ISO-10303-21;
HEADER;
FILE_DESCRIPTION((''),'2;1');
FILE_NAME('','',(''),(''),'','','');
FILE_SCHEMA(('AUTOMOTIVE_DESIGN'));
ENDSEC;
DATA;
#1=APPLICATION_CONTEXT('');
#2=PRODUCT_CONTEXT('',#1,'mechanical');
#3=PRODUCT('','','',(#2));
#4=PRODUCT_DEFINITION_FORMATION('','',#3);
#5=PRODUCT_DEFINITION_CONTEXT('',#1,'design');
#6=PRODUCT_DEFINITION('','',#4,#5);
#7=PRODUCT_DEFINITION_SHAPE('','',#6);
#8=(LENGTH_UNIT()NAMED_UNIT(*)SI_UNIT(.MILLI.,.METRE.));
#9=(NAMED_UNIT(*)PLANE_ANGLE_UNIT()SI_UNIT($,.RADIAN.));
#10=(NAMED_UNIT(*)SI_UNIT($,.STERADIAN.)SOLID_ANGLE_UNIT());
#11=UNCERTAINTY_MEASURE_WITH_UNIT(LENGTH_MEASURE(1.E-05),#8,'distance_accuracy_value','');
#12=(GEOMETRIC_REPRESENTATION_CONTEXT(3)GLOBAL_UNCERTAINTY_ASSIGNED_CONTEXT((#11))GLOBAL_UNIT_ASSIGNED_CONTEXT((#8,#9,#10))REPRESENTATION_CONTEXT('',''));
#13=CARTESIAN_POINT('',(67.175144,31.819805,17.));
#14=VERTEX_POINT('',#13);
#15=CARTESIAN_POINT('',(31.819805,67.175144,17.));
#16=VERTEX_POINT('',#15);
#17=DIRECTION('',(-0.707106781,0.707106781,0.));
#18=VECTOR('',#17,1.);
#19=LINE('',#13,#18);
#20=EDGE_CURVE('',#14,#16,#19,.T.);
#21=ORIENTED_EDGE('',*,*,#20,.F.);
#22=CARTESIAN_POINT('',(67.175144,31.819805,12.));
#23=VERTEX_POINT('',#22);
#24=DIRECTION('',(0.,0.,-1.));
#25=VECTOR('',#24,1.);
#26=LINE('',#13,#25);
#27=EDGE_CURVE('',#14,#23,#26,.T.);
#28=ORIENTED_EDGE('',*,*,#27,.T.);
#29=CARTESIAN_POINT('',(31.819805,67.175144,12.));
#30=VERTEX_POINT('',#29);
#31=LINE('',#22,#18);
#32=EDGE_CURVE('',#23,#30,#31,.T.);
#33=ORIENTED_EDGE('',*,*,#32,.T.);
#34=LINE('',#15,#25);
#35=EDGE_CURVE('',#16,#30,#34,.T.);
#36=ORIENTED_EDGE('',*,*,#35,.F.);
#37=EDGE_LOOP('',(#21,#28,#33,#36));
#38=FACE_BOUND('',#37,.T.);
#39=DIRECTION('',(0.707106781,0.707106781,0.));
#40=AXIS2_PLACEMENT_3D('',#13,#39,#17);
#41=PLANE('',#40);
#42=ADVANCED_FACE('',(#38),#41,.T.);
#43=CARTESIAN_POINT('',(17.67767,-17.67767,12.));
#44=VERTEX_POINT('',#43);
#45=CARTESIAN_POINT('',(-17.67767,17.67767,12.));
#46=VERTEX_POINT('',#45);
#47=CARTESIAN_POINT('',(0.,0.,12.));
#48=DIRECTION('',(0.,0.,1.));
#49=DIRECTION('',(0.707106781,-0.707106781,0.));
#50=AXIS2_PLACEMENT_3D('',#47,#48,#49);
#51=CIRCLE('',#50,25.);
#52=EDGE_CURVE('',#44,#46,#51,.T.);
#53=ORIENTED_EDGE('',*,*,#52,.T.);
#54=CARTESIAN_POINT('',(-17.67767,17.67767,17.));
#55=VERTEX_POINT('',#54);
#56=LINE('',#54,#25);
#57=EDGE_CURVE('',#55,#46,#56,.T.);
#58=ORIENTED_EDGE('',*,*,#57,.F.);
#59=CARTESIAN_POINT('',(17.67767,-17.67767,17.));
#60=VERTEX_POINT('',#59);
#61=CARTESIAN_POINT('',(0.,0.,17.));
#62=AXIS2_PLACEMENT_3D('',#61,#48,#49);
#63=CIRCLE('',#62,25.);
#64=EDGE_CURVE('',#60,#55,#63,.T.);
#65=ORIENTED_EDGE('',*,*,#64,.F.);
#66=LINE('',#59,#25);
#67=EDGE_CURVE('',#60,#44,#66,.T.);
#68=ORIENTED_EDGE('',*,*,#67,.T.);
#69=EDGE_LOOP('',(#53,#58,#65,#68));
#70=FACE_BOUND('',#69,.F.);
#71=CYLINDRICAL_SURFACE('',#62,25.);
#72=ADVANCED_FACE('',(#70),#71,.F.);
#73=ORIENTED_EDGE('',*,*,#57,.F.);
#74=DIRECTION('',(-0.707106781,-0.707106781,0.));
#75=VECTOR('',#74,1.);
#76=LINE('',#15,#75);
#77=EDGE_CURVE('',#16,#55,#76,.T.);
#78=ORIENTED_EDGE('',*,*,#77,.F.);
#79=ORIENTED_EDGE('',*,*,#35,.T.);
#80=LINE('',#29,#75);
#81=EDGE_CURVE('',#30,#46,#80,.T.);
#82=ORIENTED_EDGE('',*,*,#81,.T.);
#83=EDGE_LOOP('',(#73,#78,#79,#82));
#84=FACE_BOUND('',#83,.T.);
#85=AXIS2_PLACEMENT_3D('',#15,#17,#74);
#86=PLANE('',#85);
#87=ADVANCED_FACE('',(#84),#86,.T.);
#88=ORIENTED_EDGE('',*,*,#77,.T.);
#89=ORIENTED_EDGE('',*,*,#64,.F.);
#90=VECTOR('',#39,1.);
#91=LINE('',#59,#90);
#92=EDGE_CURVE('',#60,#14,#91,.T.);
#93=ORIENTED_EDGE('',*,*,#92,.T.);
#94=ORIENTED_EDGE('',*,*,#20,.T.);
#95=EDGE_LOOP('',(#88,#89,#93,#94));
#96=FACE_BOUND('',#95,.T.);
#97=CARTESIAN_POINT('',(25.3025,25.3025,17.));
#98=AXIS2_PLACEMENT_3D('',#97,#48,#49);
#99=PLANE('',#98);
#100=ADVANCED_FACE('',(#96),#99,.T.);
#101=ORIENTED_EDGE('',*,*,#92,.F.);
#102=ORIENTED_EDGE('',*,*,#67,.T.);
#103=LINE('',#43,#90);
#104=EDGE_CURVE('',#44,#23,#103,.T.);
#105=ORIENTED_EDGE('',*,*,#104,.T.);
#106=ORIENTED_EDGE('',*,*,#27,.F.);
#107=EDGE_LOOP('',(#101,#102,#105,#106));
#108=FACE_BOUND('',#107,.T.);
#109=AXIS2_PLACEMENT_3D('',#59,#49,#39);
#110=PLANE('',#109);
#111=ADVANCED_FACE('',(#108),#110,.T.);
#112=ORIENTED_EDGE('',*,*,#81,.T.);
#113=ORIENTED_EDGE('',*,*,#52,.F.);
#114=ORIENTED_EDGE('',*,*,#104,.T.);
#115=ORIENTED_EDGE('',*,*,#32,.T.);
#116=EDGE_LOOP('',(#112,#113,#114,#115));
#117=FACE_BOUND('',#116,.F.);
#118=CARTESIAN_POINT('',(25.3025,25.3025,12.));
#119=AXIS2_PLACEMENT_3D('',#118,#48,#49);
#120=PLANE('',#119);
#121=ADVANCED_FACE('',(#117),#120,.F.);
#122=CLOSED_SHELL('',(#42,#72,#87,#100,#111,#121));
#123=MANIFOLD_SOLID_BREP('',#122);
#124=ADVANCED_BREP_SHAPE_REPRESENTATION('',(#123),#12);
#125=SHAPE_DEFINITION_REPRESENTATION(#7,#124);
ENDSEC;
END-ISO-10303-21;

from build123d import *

# Parameters (mm, degrees)
SKETCH010_AS_DRAWN_R                      = 3
EXTRUDE009_DEPTH                          = 40
EXTRUDE009_ONTO_SKETCH010_PLACEMENT_ANGLE = 9
EXTRUDE001_DEPTH                          = 5
EXTRUDE001_PLACEMENT_ANGLE                = 45


with BuildPart() as extrude009:
    # Sketch010 as drawn → Extrude009 (new)
    with BuildSketch(Plane.XY):
        Circle(SKETCH010_AS_DRAWN_R)
    extrude(amount=-EXTRUDE009_DEPTH)


with BuildPart() as extrude009_1:
    # Extrude009 onto Sketch010 placement: moved
    add(extrude009.part.moved(Location((-32, -32, 30))).rotate(Axis((-32, -32, 30), (0, 0, -1)), EXTRUDE009_ONTO_SKETCH010_PLACEMENT_ANGLE))


with BuildPart() as cut003:
    # Sketch001 (on Face7 of Extrude) → Extrude001 (new body)
    with BuildSketch(Plane.XY.offset(17)):
        with BuildLine():
            Line((25, 0), (25, 70))
            Line((25, 70), (-25, 70))
            Line((-25, 70), (-25, 0))
            ThreePointArc((25, 0), (0, 25), (-25, 0))
        make_face()
    extrude(amount=-EXTRUDE001_DEPTH)


with BuildPart() as cut003_1:
    # Extrude001 placement: moved
    add(cut003.part.rotate(Axis((0, 0, 0), (0, 0, -1)), EXTRUDE001_PLACEMENT_ANGLE))

    # Cut003: cut Extrude009
    add(extrude009_1.part, mode=Mode.SUBTRACT)


solid = cut003_1.part
